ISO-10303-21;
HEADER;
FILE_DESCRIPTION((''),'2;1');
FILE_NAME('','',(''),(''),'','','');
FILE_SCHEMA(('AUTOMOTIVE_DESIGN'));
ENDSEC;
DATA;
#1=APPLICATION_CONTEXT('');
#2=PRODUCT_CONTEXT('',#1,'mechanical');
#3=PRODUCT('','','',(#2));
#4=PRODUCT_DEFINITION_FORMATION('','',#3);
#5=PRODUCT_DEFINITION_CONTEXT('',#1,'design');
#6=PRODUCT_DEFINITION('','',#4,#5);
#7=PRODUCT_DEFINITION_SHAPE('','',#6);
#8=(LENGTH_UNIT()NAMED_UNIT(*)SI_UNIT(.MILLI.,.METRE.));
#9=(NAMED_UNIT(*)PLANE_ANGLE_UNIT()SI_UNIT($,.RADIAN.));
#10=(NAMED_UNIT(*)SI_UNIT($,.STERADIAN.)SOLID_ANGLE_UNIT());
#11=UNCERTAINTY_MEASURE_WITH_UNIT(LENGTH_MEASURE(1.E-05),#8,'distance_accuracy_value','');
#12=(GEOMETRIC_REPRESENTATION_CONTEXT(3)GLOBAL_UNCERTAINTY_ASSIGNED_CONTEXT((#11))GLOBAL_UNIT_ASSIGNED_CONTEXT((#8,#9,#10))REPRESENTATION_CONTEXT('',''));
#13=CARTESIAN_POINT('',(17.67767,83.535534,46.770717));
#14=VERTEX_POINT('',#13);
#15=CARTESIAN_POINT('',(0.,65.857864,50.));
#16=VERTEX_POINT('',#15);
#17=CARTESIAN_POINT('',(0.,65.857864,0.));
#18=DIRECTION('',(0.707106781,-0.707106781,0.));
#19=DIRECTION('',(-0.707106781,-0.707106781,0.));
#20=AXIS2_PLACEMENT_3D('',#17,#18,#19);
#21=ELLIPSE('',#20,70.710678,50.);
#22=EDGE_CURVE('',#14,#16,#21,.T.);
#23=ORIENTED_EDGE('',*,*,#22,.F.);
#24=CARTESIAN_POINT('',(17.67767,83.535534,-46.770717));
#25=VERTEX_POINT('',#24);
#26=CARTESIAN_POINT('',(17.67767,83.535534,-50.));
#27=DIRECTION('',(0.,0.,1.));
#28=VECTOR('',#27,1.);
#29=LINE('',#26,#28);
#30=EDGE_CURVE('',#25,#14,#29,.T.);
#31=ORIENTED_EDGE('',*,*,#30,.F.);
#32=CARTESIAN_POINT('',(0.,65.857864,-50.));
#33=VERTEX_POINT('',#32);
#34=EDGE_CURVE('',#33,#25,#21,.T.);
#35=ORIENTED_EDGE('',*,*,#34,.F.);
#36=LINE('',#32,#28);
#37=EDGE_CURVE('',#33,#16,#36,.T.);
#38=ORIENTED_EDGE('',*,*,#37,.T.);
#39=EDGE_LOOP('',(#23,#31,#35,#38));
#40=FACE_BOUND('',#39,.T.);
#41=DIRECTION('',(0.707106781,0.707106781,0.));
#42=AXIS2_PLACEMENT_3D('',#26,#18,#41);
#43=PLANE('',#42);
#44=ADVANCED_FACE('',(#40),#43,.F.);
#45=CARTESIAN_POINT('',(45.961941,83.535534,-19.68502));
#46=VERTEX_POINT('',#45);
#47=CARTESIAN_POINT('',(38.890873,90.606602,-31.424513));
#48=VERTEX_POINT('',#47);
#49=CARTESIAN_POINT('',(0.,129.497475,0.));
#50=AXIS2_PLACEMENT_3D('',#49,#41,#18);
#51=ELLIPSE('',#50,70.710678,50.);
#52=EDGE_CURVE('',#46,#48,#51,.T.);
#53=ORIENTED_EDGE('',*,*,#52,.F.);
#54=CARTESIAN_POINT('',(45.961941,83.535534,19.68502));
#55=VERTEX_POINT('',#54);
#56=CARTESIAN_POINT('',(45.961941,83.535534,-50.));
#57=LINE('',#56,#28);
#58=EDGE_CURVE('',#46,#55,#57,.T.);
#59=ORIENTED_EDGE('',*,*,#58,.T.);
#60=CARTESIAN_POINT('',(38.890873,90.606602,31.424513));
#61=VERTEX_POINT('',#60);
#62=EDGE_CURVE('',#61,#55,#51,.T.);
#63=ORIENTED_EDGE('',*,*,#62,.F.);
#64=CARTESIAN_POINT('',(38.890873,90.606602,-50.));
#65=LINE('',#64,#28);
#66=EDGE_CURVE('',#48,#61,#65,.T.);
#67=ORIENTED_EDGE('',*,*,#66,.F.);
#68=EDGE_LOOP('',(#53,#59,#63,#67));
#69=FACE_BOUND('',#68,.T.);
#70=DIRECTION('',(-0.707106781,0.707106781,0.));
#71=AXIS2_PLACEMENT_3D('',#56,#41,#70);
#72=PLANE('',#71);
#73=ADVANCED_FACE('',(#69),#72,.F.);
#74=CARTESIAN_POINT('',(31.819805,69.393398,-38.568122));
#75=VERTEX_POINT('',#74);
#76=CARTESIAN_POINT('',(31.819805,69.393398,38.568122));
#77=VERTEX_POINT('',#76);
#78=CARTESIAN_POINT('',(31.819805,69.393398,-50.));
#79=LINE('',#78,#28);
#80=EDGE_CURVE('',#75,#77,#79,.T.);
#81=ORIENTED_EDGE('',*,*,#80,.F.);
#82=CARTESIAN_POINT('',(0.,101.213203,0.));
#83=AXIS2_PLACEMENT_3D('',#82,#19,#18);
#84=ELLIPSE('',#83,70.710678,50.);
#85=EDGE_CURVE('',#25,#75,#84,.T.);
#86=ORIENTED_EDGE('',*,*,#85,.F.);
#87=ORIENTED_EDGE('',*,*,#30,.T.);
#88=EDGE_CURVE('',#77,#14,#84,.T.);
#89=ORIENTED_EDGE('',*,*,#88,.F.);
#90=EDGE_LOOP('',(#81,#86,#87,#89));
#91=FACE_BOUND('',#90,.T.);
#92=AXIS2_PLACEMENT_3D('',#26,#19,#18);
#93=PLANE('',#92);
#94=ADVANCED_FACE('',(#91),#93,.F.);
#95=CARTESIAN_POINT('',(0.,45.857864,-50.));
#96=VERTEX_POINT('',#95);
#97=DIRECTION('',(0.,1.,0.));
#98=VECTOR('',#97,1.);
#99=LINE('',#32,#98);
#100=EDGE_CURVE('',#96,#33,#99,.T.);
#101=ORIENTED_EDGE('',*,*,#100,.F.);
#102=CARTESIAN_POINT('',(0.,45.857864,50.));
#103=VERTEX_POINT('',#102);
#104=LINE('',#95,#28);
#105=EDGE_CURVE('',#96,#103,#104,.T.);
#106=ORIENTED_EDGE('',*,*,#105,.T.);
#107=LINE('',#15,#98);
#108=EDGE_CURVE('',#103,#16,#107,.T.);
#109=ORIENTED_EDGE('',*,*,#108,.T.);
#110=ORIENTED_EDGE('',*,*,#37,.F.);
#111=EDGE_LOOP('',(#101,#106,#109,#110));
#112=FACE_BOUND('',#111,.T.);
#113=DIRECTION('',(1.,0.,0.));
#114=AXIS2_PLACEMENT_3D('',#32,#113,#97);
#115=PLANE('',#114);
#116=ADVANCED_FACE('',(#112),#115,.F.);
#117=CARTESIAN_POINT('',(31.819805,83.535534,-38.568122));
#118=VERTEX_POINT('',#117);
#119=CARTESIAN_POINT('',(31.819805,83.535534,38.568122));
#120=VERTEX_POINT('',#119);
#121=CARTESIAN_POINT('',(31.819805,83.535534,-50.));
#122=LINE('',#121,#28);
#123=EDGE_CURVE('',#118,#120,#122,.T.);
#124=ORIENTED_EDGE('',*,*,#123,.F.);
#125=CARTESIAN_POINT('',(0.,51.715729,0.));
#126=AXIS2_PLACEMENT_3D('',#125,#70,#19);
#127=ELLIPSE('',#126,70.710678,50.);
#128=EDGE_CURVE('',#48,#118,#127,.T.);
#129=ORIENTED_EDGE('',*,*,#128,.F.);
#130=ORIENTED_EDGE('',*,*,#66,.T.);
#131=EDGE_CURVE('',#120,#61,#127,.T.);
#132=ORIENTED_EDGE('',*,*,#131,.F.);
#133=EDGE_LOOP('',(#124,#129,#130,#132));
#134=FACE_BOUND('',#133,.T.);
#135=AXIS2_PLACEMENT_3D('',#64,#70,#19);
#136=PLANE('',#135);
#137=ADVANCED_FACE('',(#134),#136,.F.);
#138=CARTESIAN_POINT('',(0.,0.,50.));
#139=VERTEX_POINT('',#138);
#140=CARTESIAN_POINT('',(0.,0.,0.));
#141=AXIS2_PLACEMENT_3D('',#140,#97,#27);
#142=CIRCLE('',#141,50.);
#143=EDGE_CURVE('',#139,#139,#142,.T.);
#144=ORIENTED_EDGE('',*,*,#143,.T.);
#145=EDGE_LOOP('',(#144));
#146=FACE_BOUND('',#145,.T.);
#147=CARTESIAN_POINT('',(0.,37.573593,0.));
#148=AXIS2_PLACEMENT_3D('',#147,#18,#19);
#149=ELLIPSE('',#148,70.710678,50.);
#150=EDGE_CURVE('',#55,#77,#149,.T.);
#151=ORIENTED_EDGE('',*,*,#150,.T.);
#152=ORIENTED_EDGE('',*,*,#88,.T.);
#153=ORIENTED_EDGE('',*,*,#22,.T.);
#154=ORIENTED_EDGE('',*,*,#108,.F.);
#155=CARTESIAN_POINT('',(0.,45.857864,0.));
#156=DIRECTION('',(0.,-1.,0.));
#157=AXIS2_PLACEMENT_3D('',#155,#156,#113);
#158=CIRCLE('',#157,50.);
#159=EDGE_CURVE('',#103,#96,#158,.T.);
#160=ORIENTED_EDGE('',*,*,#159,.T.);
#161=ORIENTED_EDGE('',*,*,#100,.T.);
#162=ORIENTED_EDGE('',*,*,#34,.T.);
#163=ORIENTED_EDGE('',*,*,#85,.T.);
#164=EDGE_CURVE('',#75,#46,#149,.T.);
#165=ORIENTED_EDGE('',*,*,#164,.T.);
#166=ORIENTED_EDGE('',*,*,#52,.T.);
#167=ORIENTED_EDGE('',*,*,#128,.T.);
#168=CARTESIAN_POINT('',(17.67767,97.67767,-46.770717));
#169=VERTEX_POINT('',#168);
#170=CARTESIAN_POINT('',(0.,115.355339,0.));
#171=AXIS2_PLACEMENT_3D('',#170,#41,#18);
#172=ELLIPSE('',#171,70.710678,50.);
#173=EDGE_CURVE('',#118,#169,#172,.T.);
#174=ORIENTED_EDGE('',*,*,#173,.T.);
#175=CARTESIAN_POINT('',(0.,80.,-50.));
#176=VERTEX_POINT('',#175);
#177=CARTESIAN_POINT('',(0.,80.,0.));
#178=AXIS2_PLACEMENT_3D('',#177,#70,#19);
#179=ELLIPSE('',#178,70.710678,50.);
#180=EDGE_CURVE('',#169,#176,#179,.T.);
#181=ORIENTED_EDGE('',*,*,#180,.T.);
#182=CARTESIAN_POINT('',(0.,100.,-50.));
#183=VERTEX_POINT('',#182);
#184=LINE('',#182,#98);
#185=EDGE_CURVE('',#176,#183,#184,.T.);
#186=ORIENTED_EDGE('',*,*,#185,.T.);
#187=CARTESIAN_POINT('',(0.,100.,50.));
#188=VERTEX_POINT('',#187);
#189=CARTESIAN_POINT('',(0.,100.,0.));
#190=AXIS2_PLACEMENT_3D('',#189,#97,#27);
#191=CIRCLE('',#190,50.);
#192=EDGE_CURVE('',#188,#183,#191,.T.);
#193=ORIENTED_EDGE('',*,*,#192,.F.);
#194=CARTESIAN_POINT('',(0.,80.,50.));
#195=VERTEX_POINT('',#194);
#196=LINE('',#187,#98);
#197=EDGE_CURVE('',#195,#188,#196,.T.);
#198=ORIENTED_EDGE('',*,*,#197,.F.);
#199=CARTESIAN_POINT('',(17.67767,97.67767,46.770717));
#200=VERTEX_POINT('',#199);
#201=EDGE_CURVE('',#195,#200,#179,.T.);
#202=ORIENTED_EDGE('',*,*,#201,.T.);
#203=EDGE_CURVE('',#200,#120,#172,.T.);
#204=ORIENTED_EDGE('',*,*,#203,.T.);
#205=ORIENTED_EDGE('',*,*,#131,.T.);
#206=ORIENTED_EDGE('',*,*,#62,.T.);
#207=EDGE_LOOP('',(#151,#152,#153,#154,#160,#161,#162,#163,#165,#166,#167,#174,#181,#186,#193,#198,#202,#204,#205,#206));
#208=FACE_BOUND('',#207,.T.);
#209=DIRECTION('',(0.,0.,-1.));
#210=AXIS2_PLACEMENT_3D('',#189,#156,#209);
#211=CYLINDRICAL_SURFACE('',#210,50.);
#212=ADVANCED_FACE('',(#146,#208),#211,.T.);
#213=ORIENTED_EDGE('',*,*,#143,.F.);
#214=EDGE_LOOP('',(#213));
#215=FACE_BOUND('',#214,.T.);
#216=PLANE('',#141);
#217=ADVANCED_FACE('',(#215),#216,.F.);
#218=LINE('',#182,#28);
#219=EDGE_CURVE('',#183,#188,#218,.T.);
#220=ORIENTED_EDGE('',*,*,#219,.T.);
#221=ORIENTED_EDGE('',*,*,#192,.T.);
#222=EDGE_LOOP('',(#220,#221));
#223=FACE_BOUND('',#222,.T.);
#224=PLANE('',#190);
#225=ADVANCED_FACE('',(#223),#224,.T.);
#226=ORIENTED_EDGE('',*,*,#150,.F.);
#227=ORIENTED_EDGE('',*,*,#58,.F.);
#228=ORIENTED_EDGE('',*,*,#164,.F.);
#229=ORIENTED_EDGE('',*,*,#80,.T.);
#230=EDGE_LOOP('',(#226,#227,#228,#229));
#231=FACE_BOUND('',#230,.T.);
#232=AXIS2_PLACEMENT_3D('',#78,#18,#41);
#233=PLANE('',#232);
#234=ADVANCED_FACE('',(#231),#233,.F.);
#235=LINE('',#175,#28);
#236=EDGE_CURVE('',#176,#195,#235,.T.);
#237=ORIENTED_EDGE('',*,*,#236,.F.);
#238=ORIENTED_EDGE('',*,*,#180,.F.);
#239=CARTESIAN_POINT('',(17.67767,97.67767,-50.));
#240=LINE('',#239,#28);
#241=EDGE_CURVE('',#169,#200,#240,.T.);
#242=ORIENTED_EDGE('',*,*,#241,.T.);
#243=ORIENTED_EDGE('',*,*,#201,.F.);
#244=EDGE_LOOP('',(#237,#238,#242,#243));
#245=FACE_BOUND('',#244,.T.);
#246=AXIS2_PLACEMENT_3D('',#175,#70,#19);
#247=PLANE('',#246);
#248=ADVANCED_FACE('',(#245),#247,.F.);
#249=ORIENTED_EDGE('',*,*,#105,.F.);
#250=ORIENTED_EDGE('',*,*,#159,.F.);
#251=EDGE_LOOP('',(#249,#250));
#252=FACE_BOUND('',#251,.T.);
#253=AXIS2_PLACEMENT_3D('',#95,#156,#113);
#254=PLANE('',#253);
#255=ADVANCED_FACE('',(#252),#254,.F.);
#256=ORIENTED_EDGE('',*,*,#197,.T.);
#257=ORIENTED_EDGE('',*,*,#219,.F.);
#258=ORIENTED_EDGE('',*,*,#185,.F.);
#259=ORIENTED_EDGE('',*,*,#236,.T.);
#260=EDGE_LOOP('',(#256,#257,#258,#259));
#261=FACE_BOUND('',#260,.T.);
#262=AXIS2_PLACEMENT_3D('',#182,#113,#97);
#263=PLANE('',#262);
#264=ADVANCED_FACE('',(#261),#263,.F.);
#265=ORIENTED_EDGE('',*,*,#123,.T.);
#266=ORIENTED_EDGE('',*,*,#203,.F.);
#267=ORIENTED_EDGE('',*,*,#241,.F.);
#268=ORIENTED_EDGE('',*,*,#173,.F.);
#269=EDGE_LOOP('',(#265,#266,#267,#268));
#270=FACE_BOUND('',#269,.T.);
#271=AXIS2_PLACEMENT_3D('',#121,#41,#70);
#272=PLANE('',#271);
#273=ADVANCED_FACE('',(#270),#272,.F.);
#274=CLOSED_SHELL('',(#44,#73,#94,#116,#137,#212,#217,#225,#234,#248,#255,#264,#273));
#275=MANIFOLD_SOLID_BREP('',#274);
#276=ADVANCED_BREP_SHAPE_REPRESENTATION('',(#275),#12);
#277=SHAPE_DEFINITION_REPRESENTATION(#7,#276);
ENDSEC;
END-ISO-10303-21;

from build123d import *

# Parameters (mm, degrees)
SKETCH_1_R               = 50
EXTRUDE_1_DEPTH          = 100
CUT_EXTRUDE_1_DEPTH      = 123.474487139
CUT_EXTRUDE_1_DEPTH_BACK = 123.474487139


with BuildPart() as part:
    # 草图1 → 凸台-拉伸1 (new body)
    with BuildSketch(Plane(origin=(0, 0, 0), x_dir=(1, 0, 0), z_dir=(0, 1, 0))):
        with Locations(Location((0, 0, 0), (0, 0, 270))):
            Circle(SKETCH_1_R)
    extrude(amount=EXTRUDE_1_DEPTH)

    # 草图2 → 切除-拉伸1 (cut, two sides: drawn at the far end of the back side and taken through both)
    with BuildSketch(Plane.XY.offset(-CUT_EXTRUDE_1_DEPTH_BACK)):
        Polygon((0, 100), (0, 80), (17.67766953, 97.67766953), (31.819805153, 83.535533906), (38.890872965, 90.606601718), (45.961940777, 83.535533906), (31.819805153, 69.393398282), (17.67766953, 83.535533906), (0, 65.857864376), (0, 45.857864376), (-50, 45.857864376), (-50, 100), align=None)
    extrude(amount=CUT_EXTRUDE_1_DEPTH + CUT_EXTRUDE_1_DEPTH_BACK, mode=Mode.SUBTRACT)


solid = part.part
